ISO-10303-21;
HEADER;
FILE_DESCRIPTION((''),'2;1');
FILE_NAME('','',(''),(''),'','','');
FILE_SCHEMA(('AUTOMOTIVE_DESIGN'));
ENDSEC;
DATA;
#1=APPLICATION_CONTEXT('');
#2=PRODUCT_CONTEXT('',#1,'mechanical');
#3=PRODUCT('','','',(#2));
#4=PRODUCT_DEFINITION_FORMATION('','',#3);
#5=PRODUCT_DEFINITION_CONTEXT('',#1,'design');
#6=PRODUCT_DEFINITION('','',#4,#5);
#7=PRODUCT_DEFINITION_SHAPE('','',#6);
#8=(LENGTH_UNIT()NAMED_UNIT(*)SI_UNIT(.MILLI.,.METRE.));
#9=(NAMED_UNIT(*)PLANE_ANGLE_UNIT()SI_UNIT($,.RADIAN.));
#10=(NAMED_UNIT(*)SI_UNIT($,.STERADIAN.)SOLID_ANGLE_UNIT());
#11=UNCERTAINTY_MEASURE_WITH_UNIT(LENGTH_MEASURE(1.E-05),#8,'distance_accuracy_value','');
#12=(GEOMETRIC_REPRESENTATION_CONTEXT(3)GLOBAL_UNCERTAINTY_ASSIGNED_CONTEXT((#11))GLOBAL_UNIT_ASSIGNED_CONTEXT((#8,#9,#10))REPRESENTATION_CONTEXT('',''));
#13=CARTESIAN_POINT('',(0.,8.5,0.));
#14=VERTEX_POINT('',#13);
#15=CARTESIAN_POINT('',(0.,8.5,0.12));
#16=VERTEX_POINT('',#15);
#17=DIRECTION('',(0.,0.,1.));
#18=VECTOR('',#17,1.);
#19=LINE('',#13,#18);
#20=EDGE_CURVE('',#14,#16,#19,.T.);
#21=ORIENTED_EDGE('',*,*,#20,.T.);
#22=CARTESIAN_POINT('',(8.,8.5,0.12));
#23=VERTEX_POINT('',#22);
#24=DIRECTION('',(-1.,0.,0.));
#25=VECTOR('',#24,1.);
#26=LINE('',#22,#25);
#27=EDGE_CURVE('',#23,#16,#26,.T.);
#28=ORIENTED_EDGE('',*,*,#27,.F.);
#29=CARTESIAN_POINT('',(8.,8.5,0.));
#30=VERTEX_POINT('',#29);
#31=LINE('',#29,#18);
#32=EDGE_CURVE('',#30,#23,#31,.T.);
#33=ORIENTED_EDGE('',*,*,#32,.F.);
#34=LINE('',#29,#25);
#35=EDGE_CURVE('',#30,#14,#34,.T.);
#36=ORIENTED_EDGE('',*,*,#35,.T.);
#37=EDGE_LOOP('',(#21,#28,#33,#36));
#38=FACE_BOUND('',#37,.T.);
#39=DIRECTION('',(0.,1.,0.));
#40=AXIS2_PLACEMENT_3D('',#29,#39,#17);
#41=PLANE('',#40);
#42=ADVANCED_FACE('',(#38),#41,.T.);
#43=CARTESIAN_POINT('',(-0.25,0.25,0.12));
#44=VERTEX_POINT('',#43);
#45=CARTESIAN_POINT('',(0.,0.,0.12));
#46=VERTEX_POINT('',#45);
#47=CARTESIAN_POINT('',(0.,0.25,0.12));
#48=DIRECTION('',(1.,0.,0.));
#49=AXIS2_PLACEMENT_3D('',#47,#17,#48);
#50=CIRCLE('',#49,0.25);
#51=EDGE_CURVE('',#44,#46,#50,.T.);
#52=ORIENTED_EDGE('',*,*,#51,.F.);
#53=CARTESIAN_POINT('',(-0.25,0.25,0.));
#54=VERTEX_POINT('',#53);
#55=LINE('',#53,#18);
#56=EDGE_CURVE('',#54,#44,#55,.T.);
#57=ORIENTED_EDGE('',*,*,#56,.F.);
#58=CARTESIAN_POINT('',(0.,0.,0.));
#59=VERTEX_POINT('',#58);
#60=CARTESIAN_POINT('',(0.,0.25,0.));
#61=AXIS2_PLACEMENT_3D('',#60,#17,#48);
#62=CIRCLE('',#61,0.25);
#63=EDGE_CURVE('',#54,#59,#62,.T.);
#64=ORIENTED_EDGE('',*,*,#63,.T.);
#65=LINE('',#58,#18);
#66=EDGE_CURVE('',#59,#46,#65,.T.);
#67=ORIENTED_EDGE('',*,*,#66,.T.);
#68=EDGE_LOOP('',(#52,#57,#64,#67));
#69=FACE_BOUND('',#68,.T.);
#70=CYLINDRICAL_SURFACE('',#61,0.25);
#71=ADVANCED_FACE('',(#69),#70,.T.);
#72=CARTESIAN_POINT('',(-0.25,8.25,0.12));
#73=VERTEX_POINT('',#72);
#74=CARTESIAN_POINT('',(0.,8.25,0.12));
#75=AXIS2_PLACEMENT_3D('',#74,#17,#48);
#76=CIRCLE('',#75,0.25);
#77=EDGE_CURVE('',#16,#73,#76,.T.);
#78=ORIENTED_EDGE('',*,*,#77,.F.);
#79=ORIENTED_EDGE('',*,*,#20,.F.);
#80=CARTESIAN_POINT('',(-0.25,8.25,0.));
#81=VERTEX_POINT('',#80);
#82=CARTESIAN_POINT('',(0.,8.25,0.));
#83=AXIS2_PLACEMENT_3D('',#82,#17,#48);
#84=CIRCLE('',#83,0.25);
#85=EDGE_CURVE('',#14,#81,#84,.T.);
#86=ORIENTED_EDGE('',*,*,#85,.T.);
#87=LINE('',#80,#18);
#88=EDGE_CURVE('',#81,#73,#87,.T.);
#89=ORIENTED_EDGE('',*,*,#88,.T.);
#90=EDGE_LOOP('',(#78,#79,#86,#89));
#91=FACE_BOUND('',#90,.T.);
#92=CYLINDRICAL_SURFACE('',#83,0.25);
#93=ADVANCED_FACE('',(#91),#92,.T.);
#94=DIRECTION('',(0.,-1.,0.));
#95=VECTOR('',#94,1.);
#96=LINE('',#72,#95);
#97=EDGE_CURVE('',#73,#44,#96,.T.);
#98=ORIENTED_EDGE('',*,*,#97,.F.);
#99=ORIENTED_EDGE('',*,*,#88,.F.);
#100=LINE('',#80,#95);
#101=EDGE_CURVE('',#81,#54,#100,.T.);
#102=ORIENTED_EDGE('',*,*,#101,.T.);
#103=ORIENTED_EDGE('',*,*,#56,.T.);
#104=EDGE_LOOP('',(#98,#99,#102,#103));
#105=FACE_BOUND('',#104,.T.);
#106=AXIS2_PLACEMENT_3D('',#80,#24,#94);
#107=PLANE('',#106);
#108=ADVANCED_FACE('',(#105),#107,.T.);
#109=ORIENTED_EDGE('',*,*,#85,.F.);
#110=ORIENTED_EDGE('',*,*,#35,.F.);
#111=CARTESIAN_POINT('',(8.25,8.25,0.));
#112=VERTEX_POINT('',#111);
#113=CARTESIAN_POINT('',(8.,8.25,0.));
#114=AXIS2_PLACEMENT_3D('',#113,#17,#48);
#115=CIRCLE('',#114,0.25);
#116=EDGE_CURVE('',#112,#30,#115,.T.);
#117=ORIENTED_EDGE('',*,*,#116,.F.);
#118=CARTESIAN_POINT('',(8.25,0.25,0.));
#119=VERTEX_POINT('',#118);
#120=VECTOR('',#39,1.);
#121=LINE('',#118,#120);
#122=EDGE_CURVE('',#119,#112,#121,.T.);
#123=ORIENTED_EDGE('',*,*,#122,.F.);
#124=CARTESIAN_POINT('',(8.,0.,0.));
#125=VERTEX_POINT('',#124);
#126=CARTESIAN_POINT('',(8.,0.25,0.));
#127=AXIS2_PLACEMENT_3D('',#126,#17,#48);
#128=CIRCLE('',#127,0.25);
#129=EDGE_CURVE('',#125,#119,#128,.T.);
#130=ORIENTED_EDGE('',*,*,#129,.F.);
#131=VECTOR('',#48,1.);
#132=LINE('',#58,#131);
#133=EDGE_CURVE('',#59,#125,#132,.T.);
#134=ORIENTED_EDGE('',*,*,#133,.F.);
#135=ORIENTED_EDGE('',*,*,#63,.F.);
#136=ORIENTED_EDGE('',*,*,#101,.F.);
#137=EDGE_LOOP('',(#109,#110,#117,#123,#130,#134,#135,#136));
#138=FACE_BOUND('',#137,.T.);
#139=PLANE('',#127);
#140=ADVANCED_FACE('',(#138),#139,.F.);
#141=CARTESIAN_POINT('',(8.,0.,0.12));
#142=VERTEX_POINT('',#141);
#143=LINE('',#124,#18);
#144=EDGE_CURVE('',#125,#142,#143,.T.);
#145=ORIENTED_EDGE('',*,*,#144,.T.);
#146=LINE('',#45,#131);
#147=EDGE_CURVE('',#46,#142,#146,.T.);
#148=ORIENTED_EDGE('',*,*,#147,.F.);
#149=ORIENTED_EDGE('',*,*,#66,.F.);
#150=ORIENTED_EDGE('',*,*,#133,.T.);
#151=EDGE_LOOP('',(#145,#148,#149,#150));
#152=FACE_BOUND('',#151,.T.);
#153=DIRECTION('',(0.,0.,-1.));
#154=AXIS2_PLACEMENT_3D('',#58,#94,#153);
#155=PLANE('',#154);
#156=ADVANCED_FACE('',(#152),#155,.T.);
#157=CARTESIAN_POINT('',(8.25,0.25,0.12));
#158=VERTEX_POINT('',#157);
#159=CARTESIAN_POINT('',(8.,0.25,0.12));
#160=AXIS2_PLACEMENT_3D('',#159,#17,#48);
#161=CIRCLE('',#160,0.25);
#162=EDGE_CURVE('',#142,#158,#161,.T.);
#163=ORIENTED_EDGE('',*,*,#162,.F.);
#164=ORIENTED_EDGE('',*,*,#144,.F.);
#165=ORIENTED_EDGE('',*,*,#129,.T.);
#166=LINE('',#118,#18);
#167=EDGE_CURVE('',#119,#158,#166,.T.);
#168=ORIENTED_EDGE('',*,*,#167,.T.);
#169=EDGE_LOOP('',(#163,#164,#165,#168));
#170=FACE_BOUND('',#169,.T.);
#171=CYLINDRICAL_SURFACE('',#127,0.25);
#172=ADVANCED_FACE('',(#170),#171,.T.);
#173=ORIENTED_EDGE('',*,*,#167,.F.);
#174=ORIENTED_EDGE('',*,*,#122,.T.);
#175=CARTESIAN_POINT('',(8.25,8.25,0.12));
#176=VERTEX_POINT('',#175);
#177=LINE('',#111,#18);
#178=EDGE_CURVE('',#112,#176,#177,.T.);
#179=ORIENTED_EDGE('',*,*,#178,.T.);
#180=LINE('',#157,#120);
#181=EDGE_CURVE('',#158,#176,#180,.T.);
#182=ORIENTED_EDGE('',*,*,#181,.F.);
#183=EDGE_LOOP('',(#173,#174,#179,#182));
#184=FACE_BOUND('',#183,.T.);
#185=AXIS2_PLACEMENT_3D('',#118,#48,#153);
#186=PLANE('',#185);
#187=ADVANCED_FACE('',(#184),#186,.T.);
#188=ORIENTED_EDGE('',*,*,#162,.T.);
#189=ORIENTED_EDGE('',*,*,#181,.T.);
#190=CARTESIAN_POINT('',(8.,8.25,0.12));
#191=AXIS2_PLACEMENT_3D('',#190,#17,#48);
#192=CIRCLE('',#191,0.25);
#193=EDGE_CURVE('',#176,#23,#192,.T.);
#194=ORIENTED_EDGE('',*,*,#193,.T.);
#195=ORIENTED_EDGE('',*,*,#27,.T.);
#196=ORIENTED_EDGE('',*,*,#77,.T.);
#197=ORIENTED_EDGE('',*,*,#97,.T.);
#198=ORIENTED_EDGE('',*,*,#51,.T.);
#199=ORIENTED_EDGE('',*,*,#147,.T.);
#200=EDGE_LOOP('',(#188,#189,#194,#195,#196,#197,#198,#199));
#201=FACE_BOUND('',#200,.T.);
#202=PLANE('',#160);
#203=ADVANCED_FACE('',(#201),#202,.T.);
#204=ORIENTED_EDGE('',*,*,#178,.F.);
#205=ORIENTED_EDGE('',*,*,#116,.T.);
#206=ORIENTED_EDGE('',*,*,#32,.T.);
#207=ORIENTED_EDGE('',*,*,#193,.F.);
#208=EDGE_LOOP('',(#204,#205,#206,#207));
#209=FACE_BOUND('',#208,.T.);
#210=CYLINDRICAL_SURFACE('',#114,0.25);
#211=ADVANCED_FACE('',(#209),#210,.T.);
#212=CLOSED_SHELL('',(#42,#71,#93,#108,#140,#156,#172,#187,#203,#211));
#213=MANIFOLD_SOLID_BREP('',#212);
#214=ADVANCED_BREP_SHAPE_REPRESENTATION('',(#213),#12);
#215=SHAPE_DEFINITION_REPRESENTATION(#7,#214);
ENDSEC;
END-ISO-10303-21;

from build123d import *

# Parameters (mm, degrees)
BOSS_EXTRUDE1_DEPTH = 0.12


with BuildPart() as part:
    # Sketch1 → Boss-Extrude1 (new body)
    with BuildSketch(Plane.XY.offset(0.12)):
        with BuildLine():
            Line((8.25, 0.25), (8.25, 8.25))
            ThreePointArc((8.25, 8.25), (8.176776695, 8.426776695), (8, 8.5))
            Line((8, 8.5), (0, 8.5))
            ThreePointArc((0, 8.5), (-0.176776695, 8.426776695), (-0.25, 8.25))
            Line((-0.25, 8.25), (-0.25, 0.25))
            ThreePointArc((-0.25, 0.25), (-0.176776695, 0.073223305), (0, 0))
            Line((0, 0), (8, 0))
            ThreePointArc((8, 0), (8.176776695, 0.073223305), (8.25, 0.25))
        make_face()
    extrude(amount=-BOSS_EXTRUDE1_DEPTH)


solid = part.part
